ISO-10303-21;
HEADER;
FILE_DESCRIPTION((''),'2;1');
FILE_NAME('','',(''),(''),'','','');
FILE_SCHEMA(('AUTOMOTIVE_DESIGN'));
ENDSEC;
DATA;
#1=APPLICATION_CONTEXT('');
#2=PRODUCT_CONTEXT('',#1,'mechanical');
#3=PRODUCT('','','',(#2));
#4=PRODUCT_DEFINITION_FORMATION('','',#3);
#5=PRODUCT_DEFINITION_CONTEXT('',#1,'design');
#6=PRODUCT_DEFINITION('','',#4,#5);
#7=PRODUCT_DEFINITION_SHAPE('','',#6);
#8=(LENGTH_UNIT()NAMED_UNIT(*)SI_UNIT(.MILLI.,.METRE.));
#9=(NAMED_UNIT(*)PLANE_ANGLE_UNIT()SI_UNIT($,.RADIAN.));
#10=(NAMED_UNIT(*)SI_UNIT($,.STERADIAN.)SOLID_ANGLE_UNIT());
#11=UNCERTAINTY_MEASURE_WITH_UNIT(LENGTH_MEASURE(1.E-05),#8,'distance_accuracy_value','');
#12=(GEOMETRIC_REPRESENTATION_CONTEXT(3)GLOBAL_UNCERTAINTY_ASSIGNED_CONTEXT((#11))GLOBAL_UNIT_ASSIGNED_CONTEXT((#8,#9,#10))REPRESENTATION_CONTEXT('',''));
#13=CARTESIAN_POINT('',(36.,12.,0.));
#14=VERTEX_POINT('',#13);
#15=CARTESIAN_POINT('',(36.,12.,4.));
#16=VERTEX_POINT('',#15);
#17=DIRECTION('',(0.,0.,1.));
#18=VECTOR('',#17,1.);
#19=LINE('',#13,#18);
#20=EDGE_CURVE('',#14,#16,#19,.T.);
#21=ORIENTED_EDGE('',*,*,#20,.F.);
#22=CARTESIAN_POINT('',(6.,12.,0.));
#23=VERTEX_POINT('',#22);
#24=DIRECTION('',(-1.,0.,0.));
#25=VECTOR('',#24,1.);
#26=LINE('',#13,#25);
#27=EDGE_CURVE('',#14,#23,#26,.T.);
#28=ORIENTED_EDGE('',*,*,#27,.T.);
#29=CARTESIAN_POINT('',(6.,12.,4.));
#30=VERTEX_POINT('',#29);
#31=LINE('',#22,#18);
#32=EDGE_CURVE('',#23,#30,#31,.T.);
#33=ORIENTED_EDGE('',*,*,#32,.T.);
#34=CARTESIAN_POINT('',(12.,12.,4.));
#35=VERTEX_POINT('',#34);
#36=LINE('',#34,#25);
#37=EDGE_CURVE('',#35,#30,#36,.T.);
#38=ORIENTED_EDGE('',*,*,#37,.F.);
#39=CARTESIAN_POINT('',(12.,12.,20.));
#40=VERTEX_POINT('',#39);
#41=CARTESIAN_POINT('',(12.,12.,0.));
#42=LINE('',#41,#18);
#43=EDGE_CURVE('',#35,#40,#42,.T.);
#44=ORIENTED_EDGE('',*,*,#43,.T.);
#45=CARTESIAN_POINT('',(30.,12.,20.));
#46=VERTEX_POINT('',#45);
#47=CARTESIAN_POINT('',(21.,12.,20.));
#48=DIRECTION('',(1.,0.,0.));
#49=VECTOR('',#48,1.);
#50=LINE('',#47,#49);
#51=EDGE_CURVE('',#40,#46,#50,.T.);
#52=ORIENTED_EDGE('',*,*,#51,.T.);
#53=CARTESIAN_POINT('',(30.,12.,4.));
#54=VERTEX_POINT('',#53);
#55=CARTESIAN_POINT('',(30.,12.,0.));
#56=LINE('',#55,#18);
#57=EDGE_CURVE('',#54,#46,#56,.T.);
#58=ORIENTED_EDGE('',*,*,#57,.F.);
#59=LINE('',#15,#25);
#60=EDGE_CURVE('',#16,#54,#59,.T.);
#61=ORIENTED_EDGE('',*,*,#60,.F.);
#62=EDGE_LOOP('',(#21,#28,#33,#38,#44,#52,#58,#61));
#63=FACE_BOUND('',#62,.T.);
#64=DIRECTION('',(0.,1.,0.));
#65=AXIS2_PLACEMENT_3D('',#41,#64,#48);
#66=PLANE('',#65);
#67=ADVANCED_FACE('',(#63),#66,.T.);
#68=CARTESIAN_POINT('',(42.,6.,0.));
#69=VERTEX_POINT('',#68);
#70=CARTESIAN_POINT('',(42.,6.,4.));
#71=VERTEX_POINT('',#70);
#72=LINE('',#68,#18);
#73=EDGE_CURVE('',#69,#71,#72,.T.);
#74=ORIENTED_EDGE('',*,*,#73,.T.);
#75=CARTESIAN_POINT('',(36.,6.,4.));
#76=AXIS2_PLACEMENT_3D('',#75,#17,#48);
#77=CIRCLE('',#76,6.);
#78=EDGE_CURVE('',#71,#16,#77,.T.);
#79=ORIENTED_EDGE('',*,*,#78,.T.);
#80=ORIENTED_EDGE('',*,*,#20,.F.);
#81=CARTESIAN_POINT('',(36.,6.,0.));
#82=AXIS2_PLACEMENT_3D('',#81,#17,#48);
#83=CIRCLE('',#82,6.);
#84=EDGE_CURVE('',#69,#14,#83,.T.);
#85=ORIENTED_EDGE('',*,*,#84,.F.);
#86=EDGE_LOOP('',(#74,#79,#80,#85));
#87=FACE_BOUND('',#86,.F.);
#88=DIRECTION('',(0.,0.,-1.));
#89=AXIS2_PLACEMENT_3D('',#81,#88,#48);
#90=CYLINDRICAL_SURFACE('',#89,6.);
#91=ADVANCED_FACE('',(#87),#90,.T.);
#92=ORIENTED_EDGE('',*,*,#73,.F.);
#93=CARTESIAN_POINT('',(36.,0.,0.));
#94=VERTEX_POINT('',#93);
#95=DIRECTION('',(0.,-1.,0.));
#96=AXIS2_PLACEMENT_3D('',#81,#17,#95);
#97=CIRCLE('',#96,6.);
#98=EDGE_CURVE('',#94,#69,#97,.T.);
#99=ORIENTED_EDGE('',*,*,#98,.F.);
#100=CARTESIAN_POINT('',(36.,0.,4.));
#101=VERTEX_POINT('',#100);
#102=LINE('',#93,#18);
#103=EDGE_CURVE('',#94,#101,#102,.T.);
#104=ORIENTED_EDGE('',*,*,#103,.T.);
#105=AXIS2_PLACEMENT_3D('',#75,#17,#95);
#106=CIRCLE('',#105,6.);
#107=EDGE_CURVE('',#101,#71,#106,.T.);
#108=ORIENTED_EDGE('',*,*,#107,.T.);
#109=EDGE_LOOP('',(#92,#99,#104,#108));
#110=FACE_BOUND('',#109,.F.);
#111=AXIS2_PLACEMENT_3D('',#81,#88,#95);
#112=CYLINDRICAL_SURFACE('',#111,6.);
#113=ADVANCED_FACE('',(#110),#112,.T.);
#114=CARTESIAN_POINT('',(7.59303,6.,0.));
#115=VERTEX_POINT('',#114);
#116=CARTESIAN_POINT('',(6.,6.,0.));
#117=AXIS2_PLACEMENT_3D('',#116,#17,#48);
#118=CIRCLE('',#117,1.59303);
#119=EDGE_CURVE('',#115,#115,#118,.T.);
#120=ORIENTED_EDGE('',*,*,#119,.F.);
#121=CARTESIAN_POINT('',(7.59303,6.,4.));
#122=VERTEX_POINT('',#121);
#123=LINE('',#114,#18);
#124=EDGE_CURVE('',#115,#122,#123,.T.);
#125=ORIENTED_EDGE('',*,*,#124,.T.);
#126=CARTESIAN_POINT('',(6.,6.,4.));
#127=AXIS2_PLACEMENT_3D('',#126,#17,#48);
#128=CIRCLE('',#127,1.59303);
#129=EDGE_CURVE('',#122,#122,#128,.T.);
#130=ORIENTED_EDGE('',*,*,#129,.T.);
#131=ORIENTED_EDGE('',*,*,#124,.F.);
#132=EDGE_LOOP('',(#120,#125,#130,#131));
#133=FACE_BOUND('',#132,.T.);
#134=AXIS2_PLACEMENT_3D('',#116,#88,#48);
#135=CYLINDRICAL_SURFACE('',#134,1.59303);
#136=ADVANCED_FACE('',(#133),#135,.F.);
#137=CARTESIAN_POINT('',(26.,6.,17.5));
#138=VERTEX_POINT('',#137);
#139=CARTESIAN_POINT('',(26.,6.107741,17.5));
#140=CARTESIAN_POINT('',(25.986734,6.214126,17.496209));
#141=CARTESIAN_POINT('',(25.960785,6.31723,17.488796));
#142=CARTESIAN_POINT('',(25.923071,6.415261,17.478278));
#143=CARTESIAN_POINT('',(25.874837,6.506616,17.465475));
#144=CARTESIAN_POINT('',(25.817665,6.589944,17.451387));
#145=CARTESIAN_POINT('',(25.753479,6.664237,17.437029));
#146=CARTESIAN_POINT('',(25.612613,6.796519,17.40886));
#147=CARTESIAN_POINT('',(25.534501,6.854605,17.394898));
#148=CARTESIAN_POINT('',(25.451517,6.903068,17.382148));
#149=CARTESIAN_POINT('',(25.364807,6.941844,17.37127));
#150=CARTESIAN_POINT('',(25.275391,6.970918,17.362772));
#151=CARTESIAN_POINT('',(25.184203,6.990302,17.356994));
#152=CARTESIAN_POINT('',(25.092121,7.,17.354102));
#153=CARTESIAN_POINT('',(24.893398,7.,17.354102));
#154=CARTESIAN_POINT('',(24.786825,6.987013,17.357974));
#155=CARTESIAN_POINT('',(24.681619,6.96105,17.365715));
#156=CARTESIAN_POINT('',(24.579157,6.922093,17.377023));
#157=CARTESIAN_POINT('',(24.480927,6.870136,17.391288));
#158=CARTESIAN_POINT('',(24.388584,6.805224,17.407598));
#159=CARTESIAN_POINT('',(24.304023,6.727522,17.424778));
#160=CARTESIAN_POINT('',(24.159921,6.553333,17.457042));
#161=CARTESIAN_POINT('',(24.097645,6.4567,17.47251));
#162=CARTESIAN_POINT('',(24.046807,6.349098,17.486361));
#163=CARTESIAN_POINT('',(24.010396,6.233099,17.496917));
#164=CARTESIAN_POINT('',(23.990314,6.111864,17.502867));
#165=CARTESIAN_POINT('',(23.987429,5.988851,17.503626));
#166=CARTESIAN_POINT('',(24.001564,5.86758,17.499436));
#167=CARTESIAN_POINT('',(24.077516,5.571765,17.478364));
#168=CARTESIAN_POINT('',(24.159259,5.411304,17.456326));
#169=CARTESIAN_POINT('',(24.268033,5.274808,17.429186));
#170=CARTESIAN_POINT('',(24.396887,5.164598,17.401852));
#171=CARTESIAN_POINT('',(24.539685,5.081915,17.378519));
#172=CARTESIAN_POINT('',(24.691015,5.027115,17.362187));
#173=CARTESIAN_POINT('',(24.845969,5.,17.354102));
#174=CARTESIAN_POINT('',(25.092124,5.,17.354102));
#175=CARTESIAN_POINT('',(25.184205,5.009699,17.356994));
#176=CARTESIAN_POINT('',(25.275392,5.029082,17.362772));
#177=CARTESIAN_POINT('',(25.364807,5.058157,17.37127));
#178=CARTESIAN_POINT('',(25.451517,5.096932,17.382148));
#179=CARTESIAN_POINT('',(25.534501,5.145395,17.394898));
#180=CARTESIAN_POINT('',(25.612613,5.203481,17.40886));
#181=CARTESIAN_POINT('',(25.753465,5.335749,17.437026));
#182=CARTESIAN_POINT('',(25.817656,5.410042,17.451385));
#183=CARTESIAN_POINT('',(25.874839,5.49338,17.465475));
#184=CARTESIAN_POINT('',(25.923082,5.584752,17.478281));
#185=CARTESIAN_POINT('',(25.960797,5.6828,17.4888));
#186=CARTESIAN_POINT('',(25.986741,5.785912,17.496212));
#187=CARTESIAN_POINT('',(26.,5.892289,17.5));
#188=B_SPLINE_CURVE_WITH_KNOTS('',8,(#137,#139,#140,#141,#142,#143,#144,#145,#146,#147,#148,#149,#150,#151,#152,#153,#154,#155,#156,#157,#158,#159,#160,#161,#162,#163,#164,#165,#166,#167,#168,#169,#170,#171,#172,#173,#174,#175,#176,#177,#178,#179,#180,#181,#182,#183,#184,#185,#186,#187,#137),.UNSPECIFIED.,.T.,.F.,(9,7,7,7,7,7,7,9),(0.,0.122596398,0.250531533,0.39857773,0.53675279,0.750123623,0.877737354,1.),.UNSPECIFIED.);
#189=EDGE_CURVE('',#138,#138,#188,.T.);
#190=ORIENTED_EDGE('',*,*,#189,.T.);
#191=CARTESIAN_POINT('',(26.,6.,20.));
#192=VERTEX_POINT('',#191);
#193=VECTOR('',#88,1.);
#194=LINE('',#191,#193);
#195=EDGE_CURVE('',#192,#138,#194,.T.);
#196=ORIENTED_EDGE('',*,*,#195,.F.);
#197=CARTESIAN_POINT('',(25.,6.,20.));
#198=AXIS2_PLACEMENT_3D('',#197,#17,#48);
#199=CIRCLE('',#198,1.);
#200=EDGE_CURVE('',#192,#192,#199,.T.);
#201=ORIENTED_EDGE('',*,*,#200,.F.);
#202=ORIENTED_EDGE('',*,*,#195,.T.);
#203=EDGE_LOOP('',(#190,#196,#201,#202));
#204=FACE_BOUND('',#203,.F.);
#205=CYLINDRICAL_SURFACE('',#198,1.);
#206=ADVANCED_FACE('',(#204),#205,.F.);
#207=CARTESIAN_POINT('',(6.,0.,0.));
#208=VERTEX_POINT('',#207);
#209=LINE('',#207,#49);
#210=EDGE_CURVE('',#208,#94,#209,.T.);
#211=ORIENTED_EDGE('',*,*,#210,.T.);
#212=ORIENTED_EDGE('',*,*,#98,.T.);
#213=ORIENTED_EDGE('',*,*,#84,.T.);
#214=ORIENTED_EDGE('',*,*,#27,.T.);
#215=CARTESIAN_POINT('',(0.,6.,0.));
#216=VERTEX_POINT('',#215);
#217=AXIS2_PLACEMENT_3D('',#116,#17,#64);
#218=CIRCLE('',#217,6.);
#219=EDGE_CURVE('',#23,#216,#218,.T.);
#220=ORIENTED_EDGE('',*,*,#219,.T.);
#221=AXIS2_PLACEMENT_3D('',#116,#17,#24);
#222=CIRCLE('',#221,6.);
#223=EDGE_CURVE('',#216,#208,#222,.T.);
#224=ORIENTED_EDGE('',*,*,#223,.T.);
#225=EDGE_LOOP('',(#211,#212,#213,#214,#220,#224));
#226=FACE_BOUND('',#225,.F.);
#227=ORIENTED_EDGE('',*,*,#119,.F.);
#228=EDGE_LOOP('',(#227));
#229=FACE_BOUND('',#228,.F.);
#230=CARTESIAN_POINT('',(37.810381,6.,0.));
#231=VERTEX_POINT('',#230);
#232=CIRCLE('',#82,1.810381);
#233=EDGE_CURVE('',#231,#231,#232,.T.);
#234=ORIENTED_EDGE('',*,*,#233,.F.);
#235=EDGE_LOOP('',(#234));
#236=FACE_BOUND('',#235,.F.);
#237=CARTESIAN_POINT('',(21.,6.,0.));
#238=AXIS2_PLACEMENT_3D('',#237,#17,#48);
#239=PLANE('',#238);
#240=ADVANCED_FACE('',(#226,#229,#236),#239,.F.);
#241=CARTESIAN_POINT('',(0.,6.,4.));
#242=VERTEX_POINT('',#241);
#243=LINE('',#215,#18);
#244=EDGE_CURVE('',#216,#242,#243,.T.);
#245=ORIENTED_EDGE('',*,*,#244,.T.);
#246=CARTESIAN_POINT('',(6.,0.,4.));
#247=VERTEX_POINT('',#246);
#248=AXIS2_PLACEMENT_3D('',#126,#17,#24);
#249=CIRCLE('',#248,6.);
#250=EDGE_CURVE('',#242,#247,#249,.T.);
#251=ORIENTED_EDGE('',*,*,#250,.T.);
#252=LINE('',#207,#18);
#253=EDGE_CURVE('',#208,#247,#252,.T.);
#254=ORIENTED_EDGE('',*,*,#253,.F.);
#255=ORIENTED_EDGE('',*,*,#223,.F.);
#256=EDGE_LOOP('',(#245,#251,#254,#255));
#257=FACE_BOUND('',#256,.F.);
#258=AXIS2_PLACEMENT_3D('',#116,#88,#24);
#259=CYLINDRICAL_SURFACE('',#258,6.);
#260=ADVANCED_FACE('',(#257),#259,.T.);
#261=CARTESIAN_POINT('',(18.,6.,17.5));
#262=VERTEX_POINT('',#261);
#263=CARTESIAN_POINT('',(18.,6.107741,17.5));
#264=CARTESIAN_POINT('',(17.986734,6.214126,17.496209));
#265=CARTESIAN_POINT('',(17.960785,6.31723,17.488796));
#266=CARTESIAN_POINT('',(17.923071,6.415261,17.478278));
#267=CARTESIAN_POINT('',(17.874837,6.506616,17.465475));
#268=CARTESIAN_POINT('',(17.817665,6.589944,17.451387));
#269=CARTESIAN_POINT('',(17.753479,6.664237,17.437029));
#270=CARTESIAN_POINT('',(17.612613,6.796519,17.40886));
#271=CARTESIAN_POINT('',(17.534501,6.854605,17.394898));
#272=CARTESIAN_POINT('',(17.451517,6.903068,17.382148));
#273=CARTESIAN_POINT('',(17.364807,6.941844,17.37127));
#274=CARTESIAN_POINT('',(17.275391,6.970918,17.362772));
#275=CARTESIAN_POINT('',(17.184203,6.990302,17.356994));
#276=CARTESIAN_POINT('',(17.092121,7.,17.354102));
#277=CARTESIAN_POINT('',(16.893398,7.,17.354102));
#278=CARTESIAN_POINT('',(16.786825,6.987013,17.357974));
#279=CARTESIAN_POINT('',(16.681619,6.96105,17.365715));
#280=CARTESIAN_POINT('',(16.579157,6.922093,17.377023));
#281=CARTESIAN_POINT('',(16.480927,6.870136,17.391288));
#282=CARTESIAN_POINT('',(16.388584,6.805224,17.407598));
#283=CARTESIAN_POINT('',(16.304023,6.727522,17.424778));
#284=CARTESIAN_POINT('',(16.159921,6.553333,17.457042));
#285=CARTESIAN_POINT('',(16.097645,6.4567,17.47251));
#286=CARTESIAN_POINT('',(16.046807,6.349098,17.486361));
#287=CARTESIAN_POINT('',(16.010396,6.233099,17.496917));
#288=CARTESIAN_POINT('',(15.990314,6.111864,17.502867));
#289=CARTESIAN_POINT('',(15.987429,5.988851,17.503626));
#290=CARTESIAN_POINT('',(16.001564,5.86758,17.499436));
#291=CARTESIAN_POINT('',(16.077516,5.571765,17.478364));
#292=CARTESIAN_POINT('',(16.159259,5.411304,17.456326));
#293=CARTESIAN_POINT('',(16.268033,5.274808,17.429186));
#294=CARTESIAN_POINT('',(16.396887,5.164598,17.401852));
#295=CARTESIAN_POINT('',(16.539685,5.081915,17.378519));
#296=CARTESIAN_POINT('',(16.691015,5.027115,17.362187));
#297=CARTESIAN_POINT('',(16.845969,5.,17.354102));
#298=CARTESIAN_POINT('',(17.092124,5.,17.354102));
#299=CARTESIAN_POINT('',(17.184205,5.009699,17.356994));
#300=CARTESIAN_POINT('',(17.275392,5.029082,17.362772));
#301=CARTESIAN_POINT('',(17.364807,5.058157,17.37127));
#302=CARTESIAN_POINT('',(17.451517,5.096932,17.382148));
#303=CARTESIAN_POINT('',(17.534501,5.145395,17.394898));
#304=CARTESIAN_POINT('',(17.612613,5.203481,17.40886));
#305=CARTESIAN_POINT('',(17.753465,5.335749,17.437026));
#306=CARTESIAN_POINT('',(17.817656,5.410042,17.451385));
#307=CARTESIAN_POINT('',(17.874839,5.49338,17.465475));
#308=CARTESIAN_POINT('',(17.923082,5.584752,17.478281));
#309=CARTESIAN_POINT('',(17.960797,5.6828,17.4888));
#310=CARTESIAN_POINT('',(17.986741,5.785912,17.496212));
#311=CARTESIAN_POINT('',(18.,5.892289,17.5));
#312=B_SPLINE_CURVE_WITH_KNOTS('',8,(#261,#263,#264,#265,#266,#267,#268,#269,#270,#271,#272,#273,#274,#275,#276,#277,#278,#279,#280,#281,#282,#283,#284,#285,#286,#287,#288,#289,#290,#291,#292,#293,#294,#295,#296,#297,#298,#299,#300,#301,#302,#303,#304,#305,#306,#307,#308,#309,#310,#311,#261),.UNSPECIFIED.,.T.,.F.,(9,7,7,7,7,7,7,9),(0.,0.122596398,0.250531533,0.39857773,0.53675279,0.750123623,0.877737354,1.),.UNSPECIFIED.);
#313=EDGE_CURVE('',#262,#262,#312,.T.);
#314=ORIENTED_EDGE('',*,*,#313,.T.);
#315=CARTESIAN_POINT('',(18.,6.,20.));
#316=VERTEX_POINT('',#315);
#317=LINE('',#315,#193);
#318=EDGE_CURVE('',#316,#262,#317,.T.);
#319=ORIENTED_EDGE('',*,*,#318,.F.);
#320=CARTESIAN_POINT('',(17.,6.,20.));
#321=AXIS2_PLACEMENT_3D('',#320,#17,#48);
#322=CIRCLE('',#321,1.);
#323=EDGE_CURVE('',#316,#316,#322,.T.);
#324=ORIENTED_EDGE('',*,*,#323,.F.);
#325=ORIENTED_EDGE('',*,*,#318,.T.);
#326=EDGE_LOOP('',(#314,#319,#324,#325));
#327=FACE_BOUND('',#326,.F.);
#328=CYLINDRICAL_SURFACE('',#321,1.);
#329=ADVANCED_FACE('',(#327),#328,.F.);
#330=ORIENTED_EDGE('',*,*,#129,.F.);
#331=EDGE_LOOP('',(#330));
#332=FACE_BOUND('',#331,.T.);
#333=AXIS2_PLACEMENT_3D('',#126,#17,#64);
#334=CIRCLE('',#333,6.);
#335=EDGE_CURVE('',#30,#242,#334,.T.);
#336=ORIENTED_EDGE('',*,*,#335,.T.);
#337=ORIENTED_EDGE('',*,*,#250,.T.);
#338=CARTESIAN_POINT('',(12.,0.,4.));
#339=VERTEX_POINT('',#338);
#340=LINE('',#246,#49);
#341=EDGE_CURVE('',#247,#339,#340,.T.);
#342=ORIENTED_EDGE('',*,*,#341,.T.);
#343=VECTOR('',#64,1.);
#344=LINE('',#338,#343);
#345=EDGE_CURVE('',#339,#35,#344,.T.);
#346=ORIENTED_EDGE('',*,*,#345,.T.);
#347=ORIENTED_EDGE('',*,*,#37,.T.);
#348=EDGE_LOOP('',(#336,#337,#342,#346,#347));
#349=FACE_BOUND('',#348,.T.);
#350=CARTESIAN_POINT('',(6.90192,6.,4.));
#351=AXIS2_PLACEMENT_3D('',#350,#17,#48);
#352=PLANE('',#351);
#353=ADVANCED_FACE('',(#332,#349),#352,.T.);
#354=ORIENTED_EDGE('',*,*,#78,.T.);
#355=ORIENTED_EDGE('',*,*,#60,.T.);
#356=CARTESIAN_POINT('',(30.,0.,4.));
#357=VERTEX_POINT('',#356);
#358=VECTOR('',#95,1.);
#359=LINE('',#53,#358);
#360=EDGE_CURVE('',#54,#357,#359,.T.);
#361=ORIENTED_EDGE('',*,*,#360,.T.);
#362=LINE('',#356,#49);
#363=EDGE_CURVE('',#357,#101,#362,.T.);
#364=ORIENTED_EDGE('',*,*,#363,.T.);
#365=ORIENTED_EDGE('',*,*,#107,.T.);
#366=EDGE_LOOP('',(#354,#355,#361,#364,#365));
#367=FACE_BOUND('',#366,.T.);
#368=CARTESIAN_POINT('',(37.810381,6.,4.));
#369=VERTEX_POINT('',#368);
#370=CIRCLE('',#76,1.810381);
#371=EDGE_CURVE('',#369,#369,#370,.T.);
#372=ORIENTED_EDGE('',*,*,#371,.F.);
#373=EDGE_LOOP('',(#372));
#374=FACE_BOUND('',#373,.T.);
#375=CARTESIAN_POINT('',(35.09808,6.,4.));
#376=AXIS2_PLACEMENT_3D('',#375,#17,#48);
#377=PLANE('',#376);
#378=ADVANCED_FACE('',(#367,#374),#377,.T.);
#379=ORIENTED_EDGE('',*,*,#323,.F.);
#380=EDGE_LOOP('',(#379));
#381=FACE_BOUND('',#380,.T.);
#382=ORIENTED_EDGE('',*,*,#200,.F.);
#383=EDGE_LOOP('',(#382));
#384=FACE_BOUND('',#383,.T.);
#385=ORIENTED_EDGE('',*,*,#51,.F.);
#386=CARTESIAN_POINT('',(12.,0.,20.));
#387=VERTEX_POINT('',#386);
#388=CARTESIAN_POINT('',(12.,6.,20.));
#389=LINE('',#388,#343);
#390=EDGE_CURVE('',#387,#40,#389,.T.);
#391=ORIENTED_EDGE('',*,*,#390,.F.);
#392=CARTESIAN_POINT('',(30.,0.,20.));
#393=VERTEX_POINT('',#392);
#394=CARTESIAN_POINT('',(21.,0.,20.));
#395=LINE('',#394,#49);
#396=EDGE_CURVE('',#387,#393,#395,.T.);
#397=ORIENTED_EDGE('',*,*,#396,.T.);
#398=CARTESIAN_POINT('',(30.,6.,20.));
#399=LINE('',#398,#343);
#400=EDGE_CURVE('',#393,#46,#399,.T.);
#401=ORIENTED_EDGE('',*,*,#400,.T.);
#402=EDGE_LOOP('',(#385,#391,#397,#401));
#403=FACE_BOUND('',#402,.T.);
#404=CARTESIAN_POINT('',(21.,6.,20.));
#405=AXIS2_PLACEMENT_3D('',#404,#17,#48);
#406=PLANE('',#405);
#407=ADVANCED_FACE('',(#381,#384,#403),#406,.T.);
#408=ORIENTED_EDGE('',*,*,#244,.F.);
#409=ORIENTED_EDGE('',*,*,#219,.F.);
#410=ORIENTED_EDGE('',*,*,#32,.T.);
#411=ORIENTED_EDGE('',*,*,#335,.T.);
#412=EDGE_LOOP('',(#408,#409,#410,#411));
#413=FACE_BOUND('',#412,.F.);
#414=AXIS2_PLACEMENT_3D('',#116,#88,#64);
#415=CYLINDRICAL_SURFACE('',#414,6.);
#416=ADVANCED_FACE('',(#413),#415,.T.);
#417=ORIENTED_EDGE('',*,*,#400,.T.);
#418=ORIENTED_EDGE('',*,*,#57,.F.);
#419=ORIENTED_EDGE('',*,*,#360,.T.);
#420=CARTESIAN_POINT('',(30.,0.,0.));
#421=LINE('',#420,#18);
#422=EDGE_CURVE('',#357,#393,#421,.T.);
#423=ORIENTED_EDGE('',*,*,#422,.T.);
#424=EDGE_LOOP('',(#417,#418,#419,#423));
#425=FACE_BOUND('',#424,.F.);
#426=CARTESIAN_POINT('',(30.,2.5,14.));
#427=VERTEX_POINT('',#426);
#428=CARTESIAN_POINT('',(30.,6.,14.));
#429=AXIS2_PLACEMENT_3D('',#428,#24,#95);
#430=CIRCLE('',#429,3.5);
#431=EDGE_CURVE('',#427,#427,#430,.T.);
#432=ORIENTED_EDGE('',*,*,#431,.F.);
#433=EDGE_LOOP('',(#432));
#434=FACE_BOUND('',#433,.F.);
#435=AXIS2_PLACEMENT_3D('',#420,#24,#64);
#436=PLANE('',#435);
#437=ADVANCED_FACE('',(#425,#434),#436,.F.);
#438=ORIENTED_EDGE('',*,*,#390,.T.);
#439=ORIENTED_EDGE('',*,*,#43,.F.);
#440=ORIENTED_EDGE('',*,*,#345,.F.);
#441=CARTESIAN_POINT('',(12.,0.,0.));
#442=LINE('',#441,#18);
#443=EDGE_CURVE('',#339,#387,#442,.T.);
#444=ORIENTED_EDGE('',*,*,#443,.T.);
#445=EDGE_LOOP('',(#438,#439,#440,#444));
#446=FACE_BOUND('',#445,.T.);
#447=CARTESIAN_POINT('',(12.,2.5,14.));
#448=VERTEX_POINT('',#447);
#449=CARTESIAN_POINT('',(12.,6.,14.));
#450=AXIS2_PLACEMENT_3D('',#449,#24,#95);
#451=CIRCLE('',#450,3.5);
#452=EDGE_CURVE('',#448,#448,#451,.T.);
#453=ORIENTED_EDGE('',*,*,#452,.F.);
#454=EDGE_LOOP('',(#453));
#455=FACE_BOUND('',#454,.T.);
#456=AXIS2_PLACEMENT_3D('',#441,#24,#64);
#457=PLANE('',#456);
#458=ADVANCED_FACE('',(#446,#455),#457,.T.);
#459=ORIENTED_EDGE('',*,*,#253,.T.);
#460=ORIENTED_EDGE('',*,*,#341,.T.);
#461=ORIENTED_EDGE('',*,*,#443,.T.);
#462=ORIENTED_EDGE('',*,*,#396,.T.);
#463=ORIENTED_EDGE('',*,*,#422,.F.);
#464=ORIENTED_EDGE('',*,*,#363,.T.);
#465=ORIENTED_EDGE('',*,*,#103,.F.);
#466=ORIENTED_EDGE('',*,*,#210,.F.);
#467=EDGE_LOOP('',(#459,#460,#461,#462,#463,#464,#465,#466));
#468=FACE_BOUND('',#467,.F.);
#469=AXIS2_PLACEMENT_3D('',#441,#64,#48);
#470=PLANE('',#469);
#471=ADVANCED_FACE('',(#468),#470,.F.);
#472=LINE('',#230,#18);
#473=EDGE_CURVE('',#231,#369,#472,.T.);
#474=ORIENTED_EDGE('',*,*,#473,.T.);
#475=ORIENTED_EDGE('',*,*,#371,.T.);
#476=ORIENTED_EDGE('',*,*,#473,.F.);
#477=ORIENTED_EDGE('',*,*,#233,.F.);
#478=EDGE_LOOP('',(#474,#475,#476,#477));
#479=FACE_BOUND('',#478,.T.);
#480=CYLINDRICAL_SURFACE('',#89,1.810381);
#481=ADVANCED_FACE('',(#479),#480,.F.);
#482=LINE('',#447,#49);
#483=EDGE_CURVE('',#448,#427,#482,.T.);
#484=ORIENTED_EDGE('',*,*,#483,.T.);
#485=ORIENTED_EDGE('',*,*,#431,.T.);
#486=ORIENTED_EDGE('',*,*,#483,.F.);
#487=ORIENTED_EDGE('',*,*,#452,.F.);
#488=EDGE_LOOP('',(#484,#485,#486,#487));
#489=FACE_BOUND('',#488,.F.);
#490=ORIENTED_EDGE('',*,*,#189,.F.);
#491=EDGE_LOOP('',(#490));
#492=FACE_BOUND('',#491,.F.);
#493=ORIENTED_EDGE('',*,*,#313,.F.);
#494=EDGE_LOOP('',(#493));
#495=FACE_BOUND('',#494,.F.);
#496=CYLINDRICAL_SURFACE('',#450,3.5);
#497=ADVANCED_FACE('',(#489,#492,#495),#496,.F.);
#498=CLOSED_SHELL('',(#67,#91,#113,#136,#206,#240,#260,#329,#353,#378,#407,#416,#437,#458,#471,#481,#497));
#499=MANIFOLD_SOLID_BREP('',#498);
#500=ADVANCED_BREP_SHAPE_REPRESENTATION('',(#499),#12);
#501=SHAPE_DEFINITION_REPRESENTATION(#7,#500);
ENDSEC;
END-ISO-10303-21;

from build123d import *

# Parameters (mm, degrees)
F0_R     = 1.5930303601
F1_DEPTH = 4
F0_R_2   = 1.8103813353
F0_W     = 18
F0_H     = 12
F2_DEPTH = 20
F3_R     = 3.5
F4_DEPTH = 25
F5_R     = 1
F6_DEPTH = 5


with BuildPart() as f1:
    # F0 (on Top) → F1 (new body)
    with BuildSketch(Plane.XY):
        with BuildLine():
            ThreePointArc((0, 6), (1.7573593129, 1.7573593129), (6, 0))
            Line((6, 0), (12, 0))
            Line((12, 0), (12, 12))
            Line((12, 12), (6, 12))
            ThreePointArc((6, 12), (1.7573593129, 10.2426406871), (0, 6))
        make_face()
        with Locations((6, 6)):
            Circle(F0_R, mode=Mode.SUBTRACT)
    extrude(amount=F1_DEPTH)



with BuildPart() as f1b:
    # F0 (on Top) → F1, piece 2 (new body)
    with BuildSketch(Plane.XY):
        with BuildLine():
            Line((30, 12), (30, 0))
            Line((30, 0), (36, 0))
            ThreePointArc((36, 0), (40.2426406871, 1.7573593129), (42, 6))
            ThreePointArc((42, 6), (40.2426406871, 10.2426406871), (36, 12))
            Line((36, 12), (30, 12))
        make_face()
        with Locations((36, 6)):
            Circle(F0_R_2, mode=Mode.SUBTRACT)
    extrude(amount=F1_DEPTH)


with BuildPart() as f1_1:
    add(f1.part)

    add(f1b.part)  # F2 merges F1b
    # F0 (on Top) → F2 (join)
    with BuildSketch(Plane.XY):
        with Locations((21, 6)):
            Rectangle(F0_W, F0_H)
    extrude(amount=F2_DEPTH)

    # F3 (on face) → F4 (cut)
    with BuildSketch(Plane(origin=(12, 0, 0), x_dir=(0, -1, 0), z_dir=(-1, 0, 0))):
        with Locations((-6, 14)):
            Circle(F3_R)
    extrude(amount=-F4_DEPTH, mode=Mode.SUBTRACT)

    # F5 (on face) → F6 (cut)
    with BuildSketch(Plane.XY.offset(20)):
        with Locations((17, 6)):
            Circle(F5_R)
        with Locations((25, 6)):
            Circle(F5_R)
    extrude(amount=-F6_DEPTH, mode=Mode.SUBTRACT)


solid = f1_1.part
